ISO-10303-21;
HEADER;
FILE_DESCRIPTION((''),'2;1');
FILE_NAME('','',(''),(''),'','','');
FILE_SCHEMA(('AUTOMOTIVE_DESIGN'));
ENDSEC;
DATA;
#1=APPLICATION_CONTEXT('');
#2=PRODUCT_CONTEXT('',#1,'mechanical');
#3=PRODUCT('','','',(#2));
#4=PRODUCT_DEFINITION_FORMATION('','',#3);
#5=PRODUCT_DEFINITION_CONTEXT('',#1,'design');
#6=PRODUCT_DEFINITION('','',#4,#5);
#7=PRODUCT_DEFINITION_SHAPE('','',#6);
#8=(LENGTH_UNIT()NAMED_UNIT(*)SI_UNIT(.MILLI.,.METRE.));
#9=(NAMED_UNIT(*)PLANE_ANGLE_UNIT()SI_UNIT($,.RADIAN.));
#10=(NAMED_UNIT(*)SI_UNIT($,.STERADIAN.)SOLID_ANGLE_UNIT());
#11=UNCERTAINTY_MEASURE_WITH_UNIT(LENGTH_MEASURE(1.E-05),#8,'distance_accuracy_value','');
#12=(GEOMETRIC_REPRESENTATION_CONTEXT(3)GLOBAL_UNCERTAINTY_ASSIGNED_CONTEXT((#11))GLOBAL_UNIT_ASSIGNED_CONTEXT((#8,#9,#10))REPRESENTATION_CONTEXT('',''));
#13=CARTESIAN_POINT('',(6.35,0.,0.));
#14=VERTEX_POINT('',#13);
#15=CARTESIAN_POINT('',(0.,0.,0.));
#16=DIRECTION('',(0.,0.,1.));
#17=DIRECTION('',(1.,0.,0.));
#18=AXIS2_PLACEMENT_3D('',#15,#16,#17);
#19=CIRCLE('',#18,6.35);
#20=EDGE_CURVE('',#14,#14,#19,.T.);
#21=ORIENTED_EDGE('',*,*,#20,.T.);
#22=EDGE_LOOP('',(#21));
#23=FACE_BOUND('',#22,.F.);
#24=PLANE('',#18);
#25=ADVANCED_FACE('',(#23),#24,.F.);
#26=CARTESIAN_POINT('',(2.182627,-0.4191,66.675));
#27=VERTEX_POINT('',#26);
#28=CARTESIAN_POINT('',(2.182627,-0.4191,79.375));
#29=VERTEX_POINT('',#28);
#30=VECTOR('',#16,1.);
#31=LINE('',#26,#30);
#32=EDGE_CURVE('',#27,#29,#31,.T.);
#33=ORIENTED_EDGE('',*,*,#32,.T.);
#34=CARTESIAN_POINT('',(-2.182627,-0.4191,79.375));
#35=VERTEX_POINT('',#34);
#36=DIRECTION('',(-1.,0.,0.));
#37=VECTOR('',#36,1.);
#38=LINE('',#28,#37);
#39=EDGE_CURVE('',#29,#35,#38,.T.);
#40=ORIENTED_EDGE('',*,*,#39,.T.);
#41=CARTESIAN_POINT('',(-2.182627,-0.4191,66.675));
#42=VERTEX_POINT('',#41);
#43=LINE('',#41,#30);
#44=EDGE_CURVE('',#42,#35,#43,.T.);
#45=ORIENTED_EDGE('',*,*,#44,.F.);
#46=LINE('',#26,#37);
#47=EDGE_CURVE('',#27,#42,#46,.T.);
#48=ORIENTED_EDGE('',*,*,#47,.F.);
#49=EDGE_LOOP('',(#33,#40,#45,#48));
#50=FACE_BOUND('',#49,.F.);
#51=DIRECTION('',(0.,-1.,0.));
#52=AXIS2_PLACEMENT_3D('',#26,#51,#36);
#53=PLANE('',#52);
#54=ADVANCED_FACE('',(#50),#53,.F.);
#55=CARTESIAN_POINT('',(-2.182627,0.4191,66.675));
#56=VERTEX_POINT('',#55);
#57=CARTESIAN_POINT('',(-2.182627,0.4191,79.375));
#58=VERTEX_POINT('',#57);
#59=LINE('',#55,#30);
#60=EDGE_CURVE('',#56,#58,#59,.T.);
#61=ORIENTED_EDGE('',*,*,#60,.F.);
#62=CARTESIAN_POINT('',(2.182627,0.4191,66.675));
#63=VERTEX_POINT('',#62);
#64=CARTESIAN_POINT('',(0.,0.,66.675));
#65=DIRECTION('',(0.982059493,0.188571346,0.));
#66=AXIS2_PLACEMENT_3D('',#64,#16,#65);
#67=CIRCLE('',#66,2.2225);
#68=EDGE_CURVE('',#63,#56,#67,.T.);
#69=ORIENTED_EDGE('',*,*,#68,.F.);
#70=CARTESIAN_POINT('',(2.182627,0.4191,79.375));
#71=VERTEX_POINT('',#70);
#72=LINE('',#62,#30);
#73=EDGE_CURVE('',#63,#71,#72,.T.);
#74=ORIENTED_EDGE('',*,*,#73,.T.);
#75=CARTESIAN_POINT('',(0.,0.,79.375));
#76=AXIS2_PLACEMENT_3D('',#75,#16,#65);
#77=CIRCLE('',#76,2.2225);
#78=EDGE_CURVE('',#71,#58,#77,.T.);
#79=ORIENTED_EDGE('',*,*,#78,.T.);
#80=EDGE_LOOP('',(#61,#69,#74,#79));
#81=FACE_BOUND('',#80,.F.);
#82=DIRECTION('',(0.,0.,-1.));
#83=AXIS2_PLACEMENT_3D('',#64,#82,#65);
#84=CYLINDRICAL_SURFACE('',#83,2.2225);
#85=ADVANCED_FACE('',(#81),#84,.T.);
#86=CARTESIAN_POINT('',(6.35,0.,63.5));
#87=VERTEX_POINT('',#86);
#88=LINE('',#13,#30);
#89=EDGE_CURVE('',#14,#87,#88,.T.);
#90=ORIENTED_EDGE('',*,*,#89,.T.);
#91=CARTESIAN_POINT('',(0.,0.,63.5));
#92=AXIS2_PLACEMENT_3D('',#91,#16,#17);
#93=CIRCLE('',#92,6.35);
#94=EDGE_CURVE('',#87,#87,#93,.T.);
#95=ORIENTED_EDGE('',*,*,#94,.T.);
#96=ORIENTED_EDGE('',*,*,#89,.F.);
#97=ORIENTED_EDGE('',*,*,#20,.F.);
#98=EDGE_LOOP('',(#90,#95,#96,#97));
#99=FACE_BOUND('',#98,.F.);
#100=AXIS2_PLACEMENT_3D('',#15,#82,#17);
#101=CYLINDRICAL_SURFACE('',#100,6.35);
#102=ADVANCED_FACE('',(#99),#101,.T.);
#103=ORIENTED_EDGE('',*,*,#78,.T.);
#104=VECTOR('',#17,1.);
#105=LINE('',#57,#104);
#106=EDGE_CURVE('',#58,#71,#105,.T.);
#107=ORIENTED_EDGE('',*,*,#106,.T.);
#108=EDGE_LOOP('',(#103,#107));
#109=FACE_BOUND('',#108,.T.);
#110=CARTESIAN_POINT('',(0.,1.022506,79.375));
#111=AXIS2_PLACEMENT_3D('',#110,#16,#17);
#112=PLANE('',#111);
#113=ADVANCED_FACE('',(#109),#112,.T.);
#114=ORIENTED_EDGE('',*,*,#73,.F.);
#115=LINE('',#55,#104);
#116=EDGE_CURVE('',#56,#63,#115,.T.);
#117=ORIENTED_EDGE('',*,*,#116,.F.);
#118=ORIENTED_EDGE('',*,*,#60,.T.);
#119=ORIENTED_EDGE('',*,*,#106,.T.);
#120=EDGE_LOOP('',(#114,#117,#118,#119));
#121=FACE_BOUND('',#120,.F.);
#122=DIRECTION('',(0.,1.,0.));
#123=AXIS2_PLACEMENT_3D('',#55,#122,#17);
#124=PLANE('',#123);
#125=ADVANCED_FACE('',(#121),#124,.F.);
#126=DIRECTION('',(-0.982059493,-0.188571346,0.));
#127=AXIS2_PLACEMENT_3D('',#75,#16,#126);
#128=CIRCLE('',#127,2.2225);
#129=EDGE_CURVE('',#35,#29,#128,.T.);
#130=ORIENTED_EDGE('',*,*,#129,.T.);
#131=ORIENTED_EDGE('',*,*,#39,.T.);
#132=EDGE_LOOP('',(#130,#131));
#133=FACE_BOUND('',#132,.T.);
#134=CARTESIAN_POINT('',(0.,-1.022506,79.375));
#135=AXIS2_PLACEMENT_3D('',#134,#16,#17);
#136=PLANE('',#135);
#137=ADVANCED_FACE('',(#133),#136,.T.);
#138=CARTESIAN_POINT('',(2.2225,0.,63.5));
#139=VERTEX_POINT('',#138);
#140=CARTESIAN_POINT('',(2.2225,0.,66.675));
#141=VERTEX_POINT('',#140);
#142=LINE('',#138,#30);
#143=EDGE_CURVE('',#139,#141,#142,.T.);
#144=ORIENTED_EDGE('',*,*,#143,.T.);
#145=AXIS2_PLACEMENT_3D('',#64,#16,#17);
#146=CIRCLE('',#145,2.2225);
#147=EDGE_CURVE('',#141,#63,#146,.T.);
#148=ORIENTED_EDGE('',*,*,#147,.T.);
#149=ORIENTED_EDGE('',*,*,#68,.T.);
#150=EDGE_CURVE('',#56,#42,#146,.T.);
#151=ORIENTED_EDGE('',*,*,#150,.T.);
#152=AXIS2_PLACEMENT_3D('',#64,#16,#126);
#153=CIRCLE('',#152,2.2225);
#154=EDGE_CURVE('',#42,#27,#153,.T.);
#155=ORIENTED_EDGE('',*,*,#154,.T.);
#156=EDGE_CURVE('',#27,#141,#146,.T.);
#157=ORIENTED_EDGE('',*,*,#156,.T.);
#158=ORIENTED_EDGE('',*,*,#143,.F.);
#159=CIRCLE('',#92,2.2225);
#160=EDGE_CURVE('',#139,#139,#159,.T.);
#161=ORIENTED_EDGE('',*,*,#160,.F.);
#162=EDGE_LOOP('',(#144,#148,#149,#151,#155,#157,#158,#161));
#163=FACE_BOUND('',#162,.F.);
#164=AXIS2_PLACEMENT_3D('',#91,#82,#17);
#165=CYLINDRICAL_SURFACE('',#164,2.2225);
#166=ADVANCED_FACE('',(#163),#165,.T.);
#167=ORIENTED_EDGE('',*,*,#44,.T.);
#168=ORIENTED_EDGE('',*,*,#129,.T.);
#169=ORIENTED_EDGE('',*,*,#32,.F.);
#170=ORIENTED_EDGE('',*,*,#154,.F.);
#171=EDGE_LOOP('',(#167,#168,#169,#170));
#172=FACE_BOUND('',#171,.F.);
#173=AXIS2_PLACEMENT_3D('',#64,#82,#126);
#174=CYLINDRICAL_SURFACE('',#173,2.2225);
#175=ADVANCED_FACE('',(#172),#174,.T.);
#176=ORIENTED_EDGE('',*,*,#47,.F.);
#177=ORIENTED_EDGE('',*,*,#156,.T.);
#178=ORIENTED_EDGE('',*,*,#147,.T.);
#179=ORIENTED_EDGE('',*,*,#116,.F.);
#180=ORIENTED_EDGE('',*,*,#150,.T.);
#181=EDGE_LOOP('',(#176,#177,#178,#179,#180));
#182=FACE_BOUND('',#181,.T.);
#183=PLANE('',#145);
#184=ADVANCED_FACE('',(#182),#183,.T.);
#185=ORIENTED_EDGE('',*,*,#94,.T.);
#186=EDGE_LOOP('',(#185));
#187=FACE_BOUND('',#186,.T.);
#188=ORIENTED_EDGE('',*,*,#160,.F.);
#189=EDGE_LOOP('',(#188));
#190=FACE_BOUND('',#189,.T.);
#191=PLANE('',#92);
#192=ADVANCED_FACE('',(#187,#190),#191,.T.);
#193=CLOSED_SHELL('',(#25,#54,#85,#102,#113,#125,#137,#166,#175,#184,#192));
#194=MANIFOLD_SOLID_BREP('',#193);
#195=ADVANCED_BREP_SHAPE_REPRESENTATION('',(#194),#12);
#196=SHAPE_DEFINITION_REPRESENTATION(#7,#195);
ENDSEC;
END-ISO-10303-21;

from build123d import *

# Parameters (mm, degrees)
F0_R     = 6.35
F1_DEPTH = 63.5
F2_R     = 2.2225
F3_DEPTH = 3.175
F5_DEPTH = 12.7


with BuildPart() as f1:
    # F0 (on Top) → F1 (new body)
    with BuildSketch(Plane.XY):
        Circle(F0_R)
    extrude(amount=F1_DEPTH)

    # F2 (on face) → F3 (join)
    with BuildSketch(Plane.XY.offset(63.5)):
        Circle(F2_R)
    extrude(amount=F3_DEPTH)

    # F4 (on face) → F5 (join)
    with BuildSketch(Plane.XY.offset(66.675)):
        with BuildLine():
            ThreePointArc((-2.182627, -0.4191), (0, -2.2225), (2.182627, -0.4191))
            Line((2.182627, -0.4191), (-2.182627, -0.4191))
        make_face()
        with BuildLine():
            ThreePointArc((2.182627, 0.4191), (0, 2.2225), (-2.182627, 0.4191))
            Line((-2.182627, 0.4191), (2.182627, 0.4191))
        make_face()
    extrude(amount=F5_DEPTH)


solid = f1.part
